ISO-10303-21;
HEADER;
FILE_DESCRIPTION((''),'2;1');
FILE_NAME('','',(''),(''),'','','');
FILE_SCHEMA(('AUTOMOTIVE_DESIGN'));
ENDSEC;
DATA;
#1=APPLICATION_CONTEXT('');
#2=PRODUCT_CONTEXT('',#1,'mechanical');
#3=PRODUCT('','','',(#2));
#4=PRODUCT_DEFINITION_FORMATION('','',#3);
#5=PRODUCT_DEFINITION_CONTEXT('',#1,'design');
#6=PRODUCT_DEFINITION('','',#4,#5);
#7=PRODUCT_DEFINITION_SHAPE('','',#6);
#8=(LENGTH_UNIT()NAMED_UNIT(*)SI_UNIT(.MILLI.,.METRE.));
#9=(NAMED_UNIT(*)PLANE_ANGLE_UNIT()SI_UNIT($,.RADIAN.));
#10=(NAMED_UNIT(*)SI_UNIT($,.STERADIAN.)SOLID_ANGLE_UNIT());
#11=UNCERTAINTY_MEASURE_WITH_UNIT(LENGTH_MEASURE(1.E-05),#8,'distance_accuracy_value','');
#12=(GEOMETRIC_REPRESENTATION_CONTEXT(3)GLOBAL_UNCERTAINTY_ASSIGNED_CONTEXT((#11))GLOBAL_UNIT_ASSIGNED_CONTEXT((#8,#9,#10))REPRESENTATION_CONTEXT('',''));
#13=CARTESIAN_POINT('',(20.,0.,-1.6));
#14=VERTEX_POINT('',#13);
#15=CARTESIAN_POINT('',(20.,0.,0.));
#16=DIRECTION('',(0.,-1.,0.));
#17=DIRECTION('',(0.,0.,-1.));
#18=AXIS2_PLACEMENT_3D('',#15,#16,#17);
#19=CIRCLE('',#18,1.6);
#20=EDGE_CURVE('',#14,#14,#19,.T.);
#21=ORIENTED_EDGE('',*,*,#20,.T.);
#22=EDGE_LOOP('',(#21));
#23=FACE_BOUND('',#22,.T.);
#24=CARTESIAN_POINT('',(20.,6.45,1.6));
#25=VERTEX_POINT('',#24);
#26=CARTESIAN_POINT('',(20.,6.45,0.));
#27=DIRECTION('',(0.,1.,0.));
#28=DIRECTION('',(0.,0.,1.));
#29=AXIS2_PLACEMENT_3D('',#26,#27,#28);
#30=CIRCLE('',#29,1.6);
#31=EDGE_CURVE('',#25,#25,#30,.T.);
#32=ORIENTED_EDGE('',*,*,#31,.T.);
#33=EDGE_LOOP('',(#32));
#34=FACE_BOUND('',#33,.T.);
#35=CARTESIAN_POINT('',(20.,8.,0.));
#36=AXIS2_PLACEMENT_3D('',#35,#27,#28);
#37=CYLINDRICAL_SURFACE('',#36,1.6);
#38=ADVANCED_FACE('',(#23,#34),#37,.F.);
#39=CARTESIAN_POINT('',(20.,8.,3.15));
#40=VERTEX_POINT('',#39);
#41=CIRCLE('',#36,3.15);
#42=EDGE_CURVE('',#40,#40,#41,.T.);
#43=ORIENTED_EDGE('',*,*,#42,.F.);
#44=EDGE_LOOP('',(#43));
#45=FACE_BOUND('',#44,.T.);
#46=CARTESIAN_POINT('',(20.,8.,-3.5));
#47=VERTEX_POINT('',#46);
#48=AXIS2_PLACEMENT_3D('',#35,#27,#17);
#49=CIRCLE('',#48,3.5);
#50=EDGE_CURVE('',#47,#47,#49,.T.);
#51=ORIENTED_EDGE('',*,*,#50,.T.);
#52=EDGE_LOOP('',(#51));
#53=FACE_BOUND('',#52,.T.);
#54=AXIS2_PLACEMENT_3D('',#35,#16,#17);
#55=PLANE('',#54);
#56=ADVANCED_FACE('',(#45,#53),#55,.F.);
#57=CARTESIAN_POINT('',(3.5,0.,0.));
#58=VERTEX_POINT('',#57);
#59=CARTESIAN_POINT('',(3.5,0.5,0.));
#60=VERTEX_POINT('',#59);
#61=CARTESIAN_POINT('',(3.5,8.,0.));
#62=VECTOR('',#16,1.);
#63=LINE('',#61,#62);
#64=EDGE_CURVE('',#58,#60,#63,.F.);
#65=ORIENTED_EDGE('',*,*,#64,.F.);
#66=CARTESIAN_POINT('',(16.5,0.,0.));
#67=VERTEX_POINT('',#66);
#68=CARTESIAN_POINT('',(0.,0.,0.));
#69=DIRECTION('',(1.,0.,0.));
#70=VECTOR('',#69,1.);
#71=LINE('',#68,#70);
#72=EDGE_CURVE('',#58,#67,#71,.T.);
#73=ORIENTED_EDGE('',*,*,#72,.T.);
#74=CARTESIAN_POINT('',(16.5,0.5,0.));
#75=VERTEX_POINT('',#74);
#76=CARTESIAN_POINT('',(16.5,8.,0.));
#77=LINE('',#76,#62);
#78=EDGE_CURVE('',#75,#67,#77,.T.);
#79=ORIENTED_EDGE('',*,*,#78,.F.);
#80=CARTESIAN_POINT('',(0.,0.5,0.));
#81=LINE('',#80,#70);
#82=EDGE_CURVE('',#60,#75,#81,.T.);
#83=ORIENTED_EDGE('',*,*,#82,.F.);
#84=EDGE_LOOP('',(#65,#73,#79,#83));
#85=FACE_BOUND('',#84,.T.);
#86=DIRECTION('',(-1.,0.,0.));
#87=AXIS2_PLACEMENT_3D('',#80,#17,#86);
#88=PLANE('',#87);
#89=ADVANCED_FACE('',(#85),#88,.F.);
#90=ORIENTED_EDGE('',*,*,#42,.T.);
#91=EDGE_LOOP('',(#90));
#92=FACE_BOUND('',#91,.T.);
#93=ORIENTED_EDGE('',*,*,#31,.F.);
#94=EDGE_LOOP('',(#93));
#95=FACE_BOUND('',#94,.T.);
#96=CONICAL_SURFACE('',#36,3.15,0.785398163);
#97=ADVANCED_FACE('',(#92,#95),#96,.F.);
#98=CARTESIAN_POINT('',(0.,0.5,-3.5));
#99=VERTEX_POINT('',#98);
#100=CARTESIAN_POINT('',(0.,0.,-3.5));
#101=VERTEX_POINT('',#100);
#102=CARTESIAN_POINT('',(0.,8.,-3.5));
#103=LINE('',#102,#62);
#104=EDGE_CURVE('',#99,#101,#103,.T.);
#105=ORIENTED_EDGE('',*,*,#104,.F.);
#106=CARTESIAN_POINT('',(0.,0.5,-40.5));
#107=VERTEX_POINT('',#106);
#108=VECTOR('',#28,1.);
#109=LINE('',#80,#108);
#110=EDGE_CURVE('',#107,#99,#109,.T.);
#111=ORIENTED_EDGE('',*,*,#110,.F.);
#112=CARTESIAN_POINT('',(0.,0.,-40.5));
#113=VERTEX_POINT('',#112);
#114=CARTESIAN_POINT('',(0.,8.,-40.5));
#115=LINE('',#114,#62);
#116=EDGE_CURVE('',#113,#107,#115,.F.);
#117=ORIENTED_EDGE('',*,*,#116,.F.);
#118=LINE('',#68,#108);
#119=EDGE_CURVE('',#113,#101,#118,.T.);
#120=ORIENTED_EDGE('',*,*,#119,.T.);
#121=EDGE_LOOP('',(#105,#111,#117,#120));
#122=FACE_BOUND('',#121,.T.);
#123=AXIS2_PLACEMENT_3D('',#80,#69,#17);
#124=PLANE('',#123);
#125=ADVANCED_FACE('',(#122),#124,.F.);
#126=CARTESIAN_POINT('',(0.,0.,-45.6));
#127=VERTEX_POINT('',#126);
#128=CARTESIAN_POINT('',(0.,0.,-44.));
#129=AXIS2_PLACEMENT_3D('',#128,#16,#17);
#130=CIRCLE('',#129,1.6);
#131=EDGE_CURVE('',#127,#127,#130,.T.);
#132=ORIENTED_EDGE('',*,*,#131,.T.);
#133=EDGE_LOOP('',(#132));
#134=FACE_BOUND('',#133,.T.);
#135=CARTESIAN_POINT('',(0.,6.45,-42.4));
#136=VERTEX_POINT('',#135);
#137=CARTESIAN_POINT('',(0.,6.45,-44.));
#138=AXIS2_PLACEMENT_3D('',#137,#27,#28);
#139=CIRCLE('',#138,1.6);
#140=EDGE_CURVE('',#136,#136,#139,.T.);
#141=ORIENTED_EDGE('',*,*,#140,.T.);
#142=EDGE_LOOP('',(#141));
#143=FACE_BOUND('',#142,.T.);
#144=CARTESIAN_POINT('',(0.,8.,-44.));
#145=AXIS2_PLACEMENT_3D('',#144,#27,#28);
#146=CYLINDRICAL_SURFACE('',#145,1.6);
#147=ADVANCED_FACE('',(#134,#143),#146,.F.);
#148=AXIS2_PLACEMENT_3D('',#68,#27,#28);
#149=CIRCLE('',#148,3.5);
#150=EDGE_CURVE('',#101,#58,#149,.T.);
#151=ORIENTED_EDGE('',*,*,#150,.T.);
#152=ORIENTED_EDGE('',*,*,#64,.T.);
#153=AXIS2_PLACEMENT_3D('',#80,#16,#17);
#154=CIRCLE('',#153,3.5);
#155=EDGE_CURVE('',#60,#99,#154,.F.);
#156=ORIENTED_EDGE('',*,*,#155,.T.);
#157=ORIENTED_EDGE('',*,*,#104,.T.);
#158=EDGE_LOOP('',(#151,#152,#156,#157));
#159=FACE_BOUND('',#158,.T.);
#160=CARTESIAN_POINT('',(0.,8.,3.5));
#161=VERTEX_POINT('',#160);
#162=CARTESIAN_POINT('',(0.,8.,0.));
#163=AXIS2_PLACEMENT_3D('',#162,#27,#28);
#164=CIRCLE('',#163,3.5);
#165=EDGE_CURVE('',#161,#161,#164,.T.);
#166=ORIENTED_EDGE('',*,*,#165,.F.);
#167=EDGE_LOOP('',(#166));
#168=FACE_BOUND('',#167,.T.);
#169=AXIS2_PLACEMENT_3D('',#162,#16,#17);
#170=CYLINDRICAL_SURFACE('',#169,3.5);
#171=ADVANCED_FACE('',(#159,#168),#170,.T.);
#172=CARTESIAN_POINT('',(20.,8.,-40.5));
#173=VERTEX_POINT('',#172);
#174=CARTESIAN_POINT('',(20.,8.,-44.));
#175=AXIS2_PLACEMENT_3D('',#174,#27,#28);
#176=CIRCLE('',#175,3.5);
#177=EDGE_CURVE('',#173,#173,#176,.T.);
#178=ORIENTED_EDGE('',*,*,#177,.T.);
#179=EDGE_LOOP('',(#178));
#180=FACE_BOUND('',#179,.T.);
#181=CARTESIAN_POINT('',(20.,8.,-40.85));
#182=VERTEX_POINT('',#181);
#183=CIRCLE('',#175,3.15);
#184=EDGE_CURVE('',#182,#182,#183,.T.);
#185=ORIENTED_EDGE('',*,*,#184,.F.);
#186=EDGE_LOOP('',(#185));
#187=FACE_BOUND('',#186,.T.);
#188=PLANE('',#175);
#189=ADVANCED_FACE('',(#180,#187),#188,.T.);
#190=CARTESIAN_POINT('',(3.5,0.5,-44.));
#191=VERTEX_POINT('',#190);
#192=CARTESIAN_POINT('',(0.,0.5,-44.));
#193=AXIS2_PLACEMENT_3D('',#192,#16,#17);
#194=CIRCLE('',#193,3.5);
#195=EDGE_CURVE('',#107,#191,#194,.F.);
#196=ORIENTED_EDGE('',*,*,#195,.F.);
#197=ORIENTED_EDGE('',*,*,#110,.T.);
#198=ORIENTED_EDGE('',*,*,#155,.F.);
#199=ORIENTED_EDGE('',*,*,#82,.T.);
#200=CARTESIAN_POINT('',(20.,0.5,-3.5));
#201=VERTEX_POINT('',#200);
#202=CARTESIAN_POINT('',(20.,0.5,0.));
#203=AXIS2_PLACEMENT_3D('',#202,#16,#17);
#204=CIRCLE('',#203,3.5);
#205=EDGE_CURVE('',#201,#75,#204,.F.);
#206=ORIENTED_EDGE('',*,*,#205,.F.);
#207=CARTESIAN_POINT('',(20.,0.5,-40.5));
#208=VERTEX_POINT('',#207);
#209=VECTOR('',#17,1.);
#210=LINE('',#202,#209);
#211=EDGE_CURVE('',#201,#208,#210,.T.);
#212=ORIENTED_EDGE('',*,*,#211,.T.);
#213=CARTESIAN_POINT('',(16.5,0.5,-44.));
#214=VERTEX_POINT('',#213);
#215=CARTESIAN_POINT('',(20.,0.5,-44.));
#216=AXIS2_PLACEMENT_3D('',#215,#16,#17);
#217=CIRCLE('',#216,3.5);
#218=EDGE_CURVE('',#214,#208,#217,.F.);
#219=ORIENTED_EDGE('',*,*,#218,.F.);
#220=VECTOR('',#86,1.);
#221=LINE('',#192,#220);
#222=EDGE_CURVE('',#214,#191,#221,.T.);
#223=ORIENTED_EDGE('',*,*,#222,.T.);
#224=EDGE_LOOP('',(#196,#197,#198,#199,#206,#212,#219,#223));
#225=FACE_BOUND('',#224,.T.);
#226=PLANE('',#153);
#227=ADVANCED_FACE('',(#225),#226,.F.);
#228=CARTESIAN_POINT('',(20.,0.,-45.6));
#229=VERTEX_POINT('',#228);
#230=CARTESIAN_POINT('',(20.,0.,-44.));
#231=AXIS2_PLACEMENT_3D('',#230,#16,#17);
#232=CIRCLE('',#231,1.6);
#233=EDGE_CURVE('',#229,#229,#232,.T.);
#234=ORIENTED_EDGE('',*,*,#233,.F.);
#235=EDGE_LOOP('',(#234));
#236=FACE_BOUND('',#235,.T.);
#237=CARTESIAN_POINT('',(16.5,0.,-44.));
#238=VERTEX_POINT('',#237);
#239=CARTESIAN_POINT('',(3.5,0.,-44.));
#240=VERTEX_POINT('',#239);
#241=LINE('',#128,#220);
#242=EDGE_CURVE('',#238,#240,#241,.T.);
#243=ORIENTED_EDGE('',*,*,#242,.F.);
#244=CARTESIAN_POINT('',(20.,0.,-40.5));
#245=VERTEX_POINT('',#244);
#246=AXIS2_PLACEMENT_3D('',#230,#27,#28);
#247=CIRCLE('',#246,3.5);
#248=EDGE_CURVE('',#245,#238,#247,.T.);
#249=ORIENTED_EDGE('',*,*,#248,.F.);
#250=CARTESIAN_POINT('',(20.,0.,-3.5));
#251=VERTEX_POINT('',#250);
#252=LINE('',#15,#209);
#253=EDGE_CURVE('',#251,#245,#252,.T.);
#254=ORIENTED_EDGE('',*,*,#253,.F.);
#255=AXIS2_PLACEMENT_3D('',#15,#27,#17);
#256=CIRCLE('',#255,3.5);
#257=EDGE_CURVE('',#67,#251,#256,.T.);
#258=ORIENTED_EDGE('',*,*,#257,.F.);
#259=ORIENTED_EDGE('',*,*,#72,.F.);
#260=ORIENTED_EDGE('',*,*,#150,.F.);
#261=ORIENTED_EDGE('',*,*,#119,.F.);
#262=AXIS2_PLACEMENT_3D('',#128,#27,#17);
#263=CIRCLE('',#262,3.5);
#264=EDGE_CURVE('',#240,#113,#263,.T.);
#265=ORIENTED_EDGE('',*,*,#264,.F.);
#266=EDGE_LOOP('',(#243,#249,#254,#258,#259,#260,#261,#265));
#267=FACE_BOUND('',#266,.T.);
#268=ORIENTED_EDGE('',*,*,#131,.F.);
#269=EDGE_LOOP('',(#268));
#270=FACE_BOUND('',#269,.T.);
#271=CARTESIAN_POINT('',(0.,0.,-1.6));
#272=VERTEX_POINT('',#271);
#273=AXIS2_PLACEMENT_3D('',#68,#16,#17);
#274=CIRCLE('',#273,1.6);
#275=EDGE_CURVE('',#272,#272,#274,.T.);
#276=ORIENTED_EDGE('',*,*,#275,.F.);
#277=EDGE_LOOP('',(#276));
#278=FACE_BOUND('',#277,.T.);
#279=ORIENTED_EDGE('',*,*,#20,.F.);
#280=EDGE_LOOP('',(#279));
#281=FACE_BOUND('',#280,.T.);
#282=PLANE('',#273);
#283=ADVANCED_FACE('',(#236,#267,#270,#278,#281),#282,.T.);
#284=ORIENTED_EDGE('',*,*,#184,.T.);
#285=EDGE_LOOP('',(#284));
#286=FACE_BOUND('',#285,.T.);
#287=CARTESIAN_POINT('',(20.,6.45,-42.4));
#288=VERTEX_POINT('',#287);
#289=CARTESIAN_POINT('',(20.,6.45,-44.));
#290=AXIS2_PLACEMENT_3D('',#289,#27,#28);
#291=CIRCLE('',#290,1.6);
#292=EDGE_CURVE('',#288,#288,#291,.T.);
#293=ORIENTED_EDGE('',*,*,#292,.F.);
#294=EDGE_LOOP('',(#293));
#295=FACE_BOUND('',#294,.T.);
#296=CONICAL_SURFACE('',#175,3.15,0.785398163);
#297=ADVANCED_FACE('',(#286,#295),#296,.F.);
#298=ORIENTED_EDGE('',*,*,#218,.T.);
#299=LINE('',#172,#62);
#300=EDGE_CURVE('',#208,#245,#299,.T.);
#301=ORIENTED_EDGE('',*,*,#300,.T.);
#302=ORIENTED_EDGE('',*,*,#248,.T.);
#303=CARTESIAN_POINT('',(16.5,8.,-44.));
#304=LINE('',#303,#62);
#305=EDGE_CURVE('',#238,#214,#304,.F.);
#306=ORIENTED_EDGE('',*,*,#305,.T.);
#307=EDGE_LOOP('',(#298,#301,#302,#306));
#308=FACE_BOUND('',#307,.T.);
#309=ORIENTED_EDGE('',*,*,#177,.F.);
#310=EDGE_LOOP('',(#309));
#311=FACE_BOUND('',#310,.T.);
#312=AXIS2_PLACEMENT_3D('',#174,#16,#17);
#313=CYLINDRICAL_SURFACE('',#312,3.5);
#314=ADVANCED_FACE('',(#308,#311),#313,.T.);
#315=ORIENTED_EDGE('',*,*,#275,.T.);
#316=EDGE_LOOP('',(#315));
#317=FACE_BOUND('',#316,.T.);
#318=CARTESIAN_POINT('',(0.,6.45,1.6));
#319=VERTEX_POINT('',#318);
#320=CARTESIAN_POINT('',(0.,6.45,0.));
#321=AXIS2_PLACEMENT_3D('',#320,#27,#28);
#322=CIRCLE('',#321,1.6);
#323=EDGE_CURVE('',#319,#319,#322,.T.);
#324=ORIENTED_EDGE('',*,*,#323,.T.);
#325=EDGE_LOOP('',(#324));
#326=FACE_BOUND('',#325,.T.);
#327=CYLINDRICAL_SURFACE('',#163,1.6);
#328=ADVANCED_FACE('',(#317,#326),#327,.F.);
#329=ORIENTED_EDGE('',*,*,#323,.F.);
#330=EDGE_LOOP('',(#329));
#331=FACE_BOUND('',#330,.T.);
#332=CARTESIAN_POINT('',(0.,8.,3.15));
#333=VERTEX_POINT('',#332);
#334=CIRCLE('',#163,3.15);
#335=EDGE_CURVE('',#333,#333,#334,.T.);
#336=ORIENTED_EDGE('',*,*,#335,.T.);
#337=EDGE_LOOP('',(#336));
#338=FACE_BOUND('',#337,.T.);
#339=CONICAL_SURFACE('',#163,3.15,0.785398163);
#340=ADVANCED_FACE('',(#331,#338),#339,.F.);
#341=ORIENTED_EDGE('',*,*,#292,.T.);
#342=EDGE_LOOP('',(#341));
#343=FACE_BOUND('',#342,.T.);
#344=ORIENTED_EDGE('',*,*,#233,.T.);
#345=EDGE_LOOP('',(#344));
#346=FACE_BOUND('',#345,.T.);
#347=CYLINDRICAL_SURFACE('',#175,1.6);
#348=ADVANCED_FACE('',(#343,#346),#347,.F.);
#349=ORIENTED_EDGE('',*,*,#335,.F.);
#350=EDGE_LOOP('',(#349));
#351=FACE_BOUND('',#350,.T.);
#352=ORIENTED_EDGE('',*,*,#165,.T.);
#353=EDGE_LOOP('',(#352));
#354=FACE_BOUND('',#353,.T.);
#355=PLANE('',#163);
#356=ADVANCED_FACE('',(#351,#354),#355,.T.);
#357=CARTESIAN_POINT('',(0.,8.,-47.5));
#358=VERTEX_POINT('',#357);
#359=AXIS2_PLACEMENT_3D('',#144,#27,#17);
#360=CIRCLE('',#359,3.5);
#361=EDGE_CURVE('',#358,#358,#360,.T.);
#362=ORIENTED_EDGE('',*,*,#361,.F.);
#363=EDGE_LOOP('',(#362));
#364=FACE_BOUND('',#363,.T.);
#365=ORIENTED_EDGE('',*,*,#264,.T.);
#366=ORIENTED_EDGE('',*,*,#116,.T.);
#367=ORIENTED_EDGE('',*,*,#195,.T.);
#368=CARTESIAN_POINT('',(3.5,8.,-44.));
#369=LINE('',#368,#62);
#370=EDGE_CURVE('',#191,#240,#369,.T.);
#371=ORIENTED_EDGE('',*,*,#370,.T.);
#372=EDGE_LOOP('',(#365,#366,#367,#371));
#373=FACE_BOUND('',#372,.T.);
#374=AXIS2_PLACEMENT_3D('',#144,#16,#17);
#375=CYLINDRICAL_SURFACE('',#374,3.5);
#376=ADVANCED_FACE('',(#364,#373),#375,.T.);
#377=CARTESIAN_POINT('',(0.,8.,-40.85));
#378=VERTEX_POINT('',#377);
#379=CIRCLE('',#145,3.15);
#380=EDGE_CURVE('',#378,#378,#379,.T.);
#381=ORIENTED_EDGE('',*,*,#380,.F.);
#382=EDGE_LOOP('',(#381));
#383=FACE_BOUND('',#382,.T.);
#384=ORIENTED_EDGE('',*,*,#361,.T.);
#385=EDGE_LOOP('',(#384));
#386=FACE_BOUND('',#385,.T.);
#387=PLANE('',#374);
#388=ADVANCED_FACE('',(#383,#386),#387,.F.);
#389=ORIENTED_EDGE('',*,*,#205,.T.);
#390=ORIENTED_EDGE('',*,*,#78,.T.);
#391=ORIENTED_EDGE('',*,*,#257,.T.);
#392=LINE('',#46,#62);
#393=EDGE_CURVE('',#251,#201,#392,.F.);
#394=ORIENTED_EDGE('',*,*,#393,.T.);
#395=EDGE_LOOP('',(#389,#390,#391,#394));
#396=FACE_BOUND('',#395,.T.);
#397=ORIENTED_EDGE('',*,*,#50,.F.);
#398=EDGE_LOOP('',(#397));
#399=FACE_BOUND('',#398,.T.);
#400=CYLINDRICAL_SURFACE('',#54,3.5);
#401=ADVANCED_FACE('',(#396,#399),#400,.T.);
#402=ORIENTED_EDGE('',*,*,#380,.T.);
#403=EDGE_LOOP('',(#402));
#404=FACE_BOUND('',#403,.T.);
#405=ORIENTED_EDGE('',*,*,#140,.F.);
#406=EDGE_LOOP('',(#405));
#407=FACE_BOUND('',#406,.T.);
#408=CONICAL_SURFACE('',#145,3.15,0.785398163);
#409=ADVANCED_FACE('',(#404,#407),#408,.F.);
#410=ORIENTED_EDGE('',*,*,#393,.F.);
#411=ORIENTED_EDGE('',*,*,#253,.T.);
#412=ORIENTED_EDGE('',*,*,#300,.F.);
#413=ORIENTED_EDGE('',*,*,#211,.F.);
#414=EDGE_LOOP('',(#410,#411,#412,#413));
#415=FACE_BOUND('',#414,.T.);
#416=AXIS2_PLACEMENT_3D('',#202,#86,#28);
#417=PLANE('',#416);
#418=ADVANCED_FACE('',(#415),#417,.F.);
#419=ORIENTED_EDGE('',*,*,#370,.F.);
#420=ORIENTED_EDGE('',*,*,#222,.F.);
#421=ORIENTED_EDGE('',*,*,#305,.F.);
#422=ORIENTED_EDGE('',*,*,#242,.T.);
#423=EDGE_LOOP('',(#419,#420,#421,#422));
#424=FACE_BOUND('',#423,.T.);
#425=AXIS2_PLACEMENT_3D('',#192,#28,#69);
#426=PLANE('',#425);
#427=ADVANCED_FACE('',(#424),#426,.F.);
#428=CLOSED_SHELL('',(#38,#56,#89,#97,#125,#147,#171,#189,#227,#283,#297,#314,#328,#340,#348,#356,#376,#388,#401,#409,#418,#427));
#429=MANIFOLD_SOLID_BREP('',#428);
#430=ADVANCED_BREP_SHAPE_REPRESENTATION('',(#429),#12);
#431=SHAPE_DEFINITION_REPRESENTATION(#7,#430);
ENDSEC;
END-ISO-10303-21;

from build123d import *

# Parameters (mm, degrees)
SKETCH2_W                                       = 20
SKETCH2_H                                       = 44
BOSS_EXTRUDE2_DEPTH                             = 0.5
SKETCH4_R                                       = 3.5
BOSS_EXTRUDE3_DEPTH                             = 8
CSK_FOR_M3_FLAT_HEAD_MACHINE_SCREW1_D           = 3.2
CSK_FOR_M3_FLAT_HEAD_MACHINE_SCREW1_DEPTH       = 13.03862301
CSK_FOR_M3_FLAT_HEAD_MACHINE_SCREW1_CSINK_D     = 6.3
CSK_FOR_M3_FLAT_HEAD_MACHINE_SCREW1_CSINK_ANGLE = 90
CSK_FOR_M3_FLAT_HEAD_MACHINE_SCREW1_TIP         = 0.96137699


with BuildPart() as part:
    # Sketch2 → Boss-Extrude2 (new body)
    with BuildSketch(Plane(origin=(0, 0, 0), x_dir=(1, 0, 0), z_dir=(0, 1, 0))):
        with Locations((10, 22)):
            Rectangle(SKETCH2_W, SKETCH2_H)
    extrude(amount=BOSS_EXTRUDE2_DEPTH)

    # Sketch4 → Boss-Extrude3 (add)
    with BuildSketch(Plane(origin=(0, 0, 0), x_dir=(1, 0, 0), z_dir=(0, 1, 0))):
        with Locations(Location((20, 44, 0), (0, 0, 270))):
            Circle(SKETCH4_R)
        with Locations(Location((0, 44, 0), (0, 0, 90))):
            Circle(SKETCH4_R)
        with Locations(Location((20, 0, 0), (0, 0, 90))):
            Circle(SKETCH4_R)
        with Locations(Location((0, 0, 0), (0, 0, 90))):
            Circle(SKETCH4_R)
    extrude(amount=BOSS_EXTRUDE3_DEPTH)

    # CSK for M3 Flat Head Machine Screw1
    with Locations(Plane(origin=(0, 8, 0), x_dir=(1, 0, 0), z_dir=(0, 1, 0))):
        with Locations((20, 44), (0, 44), (0, 0), (20, 0)):
            CounterSinkHole(CSK_FOR_M3_FLAT_HEAD_MACHINE_SCREW1_D / 2, CSK_FOR_M3_FLAT_HEAD_MACHINE_SCREW1_CSINK_D / 2, depth=CSK_FOR_M3_FLAT_HEAD_MACHINE_SCREW1_DEPTH, counter_sink_angle=CSK_FOR_M3_FLAT_HEAD_MACHINE_SCREW1_CSINK_ANGLE)
            with Locations((0, 0, -(CSK_FOR_M3_FLAT_HEAD_MACHINE_SCREW1_DEPTH + CSK_FOR_M3_FLAT_HEAD_MACHINE_SCREW1_TIP / 2))):  # 118° drill point
                Cone(0, CSK_FOR_M3_FLAT_HEAD_MACHINE_SCREW1_D / 2, CSK_FOR_M3_FLAT_HEAD_MACHINE_SCREW1_TIP, mode=Mode.SUBTRACT)


solid = part.part
